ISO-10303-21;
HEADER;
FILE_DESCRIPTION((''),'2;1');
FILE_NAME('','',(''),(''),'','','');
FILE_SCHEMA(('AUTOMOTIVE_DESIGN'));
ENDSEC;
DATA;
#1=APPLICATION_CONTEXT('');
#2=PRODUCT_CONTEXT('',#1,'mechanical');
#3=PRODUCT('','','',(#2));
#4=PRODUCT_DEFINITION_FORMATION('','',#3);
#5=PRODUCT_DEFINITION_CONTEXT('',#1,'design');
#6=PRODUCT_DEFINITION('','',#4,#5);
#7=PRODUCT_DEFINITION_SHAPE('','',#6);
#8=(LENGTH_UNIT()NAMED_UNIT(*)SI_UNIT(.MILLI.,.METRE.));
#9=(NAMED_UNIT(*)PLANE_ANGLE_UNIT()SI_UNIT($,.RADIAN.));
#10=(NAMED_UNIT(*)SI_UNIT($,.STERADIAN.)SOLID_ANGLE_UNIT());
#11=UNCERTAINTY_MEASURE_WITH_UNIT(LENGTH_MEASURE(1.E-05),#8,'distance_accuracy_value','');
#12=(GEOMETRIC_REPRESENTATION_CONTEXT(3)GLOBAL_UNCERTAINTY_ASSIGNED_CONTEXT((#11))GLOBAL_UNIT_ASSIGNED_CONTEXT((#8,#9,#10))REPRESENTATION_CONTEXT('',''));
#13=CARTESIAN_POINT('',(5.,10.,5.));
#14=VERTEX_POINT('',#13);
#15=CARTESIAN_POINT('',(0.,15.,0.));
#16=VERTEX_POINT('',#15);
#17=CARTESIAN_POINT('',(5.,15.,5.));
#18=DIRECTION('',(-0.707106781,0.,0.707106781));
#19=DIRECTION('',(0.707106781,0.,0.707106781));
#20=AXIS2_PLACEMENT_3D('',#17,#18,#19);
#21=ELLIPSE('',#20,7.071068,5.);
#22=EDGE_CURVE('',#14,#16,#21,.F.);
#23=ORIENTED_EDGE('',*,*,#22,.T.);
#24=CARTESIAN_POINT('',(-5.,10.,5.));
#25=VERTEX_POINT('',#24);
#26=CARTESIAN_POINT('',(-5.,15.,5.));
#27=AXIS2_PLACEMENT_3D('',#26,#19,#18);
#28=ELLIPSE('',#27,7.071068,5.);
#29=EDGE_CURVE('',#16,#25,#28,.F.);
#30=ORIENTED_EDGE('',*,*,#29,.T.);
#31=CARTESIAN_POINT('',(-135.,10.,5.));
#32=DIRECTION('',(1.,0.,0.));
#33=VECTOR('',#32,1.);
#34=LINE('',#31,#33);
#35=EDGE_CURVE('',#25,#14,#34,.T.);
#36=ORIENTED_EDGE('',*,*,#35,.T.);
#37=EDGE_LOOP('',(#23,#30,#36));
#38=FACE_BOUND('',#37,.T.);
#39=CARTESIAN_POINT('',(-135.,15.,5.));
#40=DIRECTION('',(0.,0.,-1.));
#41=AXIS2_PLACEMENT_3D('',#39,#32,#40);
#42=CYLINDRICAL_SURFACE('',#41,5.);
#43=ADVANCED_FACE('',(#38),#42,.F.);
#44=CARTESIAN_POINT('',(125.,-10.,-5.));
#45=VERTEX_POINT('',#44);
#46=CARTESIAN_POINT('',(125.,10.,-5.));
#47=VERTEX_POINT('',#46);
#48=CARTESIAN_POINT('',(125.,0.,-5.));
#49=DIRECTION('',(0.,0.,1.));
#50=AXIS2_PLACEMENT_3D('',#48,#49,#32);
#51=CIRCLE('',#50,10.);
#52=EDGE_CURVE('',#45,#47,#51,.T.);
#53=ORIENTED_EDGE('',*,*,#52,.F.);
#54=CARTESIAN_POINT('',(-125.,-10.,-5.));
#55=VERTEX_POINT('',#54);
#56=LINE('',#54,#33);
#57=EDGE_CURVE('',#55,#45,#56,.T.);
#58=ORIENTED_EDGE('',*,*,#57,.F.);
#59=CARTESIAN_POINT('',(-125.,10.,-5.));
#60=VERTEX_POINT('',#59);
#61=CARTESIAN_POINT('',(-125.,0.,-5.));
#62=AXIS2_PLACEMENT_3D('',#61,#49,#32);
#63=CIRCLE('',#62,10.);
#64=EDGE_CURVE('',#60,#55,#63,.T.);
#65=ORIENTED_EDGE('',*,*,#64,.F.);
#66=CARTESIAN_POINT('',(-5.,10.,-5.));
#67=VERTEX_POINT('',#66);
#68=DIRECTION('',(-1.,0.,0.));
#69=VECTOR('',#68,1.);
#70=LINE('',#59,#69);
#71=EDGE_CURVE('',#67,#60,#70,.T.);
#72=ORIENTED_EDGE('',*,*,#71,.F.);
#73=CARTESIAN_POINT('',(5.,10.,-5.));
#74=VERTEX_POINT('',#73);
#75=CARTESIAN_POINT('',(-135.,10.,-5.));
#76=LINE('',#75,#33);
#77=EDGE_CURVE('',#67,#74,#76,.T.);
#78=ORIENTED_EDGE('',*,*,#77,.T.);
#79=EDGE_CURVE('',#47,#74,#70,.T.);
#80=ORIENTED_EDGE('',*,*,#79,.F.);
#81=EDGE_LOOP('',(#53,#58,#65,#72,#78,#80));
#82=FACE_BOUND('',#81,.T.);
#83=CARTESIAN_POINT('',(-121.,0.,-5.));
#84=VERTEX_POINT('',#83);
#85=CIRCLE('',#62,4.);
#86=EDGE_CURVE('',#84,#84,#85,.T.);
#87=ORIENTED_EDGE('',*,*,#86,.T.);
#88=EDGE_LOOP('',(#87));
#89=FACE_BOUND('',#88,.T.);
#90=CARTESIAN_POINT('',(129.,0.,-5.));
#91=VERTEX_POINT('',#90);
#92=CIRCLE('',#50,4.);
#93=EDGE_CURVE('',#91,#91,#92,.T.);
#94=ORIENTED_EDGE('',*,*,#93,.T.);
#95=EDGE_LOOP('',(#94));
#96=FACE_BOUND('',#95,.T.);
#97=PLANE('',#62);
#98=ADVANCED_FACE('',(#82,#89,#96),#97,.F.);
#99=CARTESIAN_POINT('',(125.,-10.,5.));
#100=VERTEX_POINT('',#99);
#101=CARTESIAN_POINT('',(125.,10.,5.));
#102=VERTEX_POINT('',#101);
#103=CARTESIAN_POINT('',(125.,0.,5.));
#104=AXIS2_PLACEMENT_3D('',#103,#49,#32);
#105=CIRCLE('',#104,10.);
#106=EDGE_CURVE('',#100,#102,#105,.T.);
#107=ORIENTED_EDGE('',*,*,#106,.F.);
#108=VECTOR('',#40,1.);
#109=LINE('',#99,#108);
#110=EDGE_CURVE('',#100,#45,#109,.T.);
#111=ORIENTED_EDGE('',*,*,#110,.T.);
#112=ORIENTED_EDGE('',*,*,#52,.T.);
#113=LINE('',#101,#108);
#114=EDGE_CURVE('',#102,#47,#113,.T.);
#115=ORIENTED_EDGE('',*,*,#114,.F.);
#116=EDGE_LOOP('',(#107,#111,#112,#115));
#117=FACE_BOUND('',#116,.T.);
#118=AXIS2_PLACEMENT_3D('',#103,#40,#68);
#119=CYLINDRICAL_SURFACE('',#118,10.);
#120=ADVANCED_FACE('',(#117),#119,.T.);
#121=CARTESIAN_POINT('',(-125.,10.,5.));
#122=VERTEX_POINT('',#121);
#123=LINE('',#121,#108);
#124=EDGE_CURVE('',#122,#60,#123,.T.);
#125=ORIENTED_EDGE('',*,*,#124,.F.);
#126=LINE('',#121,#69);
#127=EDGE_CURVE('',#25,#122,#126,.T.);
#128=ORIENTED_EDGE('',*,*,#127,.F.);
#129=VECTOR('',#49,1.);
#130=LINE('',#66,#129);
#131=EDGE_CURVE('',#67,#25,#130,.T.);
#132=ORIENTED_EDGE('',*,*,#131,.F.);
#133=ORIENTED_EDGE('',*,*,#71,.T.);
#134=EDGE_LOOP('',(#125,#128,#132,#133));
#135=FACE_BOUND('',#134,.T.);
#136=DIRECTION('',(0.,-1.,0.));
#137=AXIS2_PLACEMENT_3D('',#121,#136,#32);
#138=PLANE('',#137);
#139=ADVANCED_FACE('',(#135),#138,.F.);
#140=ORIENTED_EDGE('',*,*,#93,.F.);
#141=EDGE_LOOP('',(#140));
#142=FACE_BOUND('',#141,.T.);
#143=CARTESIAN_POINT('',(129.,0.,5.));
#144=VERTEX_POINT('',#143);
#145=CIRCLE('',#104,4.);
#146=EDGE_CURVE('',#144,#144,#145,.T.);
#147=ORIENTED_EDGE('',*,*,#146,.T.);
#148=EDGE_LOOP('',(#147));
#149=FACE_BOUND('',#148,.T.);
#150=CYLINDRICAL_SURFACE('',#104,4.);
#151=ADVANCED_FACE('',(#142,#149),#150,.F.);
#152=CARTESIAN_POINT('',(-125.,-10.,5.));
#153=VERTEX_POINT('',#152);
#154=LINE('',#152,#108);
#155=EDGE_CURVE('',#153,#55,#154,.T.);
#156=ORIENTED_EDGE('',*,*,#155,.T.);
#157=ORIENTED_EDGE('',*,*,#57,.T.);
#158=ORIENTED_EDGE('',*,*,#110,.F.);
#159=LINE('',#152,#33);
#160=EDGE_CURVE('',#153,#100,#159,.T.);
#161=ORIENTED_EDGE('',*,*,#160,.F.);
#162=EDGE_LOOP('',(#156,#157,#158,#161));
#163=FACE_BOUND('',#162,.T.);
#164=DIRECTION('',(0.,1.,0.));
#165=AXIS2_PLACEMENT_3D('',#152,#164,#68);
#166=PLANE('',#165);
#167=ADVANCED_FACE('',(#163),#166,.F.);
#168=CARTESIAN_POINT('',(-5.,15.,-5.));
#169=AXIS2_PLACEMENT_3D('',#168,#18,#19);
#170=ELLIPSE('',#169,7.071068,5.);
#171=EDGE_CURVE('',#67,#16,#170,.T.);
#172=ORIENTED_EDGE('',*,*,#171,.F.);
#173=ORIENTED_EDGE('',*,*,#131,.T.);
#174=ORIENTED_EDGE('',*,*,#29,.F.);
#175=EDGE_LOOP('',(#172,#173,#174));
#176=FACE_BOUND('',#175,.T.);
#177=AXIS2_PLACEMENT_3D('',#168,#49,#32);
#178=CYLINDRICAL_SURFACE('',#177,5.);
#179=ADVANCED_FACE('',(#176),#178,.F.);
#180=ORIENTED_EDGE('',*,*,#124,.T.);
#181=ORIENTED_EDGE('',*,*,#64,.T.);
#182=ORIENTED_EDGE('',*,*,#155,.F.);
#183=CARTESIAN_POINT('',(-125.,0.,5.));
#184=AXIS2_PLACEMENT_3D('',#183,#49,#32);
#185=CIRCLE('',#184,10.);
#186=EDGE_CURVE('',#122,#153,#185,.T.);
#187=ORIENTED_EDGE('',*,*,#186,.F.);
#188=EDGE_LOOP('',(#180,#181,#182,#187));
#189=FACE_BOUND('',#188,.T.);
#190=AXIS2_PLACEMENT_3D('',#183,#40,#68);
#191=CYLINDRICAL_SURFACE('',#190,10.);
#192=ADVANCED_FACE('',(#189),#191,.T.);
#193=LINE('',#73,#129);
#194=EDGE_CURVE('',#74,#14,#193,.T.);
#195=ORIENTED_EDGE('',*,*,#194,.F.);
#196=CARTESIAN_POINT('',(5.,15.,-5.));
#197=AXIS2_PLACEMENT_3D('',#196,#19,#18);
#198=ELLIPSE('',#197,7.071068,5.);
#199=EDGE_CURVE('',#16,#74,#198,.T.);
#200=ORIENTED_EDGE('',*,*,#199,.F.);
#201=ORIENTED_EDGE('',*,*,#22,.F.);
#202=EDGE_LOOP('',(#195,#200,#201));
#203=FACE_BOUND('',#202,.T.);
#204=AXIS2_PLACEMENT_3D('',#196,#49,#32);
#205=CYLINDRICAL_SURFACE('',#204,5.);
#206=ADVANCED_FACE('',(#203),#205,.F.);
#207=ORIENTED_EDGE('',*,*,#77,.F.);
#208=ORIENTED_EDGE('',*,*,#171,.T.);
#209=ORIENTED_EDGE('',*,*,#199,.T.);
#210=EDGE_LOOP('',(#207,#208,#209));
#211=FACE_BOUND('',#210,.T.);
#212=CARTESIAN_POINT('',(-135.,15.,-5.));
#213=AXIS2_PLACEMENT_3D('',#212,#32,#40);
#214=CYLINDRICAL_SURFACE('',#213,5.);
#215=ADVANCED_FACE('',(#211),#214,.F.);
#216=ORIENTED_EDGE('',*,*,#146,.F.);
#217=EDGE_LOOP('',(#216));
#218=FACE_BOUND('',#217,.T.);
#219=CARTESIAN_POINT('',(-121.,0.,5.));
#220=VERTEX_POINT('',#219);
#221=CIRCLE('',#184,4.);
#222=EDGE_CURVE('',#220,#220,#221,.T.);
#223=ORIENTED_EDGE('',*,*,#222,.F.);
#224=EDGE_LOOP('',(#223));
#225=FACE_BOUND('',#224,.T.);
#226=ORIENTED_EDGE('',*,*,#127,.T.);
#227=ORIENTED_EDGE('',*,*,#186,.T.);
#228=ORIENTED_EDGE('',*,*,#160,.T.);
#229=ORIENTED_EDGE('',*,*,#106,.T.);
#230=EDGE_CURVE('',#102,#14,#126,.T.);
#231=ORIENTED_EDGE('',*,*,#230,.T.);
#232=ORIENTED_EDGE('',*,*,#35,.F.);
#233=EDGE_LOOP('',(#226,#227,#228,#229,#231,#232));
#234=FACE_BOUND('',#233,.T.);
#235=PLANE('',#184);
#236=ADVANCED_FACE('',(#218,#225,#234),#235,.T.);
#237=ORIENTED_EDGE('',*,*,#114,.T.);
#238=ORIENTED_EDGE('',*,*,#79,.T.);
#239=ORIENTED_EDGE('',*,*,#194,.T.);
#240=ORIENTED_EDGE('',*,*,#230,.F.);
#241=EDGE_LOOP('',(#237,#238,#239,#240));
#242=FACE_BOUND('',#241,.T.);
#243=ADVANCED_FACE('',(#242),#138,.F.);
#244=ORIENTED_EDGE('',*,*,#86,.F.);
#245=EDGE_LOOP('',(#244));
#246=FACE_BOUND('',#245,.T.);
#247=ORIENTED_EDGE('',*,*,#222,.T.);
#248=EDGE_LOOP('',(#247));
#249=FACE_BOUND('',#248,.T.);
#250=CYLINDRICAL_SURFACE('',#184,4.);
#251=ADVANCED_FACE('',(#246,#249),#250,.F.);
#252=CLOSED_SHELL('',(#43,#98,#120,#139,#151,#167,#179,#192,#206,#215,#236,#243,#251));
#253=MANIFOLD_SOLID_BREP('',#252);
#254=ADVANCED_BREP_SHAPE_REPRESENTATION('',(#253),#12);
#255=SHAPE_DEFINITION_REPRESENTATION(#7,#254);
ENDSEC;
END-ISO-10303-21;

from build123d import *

# Parameters (mm, degrees)
BOSS_EXTRUDE1_DEPTH     = 5
F_8_0MM_DOWEL_HOLE1_D   = 8
BOSS_EXTRUDE2_DEPTH     = 10
CUT_EXTRUDE1_DEPTH      = 136.922772191
CUT_EXTRUDE1_DEPTH_BACK = 136.922772191


with BuildPart() as part:
    # Sketch1 → Boss-Extrude1 (new, symmetric)
    with BuildSketch(Plane.XY):
        with BuildLine():
            Line((-125, 10), (125, 10))
            ThreePointArc((125, 10), (135, 0), (125, -10))
            Line((125, -10), (-125, -10))
            ThreePointArc((-125, -10), (-135, 0), (-125, 10))
        make_face()
    extrude(amount=BOSS_EXTRUDE1_DEPTH, both=True)

    # Ø8.0mm Dowel Hole1 (through all)
    with Locations(Plane.XY.offset(5)):
        with Locations((-125, 0), (125, 0)):
            Hole(F_8_0MM_DOWEL_HOLE1_D / 2)

    # Sketch4 → Boss-Extrude2 (add)
    with BuildSketch(Plane.XY.offset(5)):
        with BuildLine():
            Line((-5, 10), (5, 10))
            ThreePointArc((5, 10), (1.464466094, 11.464466094), (0, 15))
            ThreePointArc((0, 15), (-1.464466094, 11.464466094), (-5, 10))
        make_face()
    extrude(amount=-BOSS_EXTRUDE2_DEPTH)

    # Sketch5 → Cut-Extrude1 (cut, two sides: drawn at the far end of the back side and taken through both)
    with BuildSketch(Plane(origin=(0, 0, 0), x_dir=(0, 0, -1), z_dir=(1, 0, 0)).offset(-CUT_EXTRUDE1_DEPTH_BACK)):
        with BuildLine():
            Line((-5, 10), (-5, 20))
            Line((-5, 20), (5, 20))
            Line((5, 20), (5, 10))
            ThreePointArc((5, 10), (1.464466094, 11.464466094), (0, 15))
            ThreePointArc((0, 15), (-1.464466094, 11.464466094), (-5, 10))
        make_face()
    extrude(amount=CUT_EXTRUDE1_DEPTH + CUT_EXTRUDE1_DEPTH_BACK, mode=Mode.SUBTRACT)


solid = part.part
